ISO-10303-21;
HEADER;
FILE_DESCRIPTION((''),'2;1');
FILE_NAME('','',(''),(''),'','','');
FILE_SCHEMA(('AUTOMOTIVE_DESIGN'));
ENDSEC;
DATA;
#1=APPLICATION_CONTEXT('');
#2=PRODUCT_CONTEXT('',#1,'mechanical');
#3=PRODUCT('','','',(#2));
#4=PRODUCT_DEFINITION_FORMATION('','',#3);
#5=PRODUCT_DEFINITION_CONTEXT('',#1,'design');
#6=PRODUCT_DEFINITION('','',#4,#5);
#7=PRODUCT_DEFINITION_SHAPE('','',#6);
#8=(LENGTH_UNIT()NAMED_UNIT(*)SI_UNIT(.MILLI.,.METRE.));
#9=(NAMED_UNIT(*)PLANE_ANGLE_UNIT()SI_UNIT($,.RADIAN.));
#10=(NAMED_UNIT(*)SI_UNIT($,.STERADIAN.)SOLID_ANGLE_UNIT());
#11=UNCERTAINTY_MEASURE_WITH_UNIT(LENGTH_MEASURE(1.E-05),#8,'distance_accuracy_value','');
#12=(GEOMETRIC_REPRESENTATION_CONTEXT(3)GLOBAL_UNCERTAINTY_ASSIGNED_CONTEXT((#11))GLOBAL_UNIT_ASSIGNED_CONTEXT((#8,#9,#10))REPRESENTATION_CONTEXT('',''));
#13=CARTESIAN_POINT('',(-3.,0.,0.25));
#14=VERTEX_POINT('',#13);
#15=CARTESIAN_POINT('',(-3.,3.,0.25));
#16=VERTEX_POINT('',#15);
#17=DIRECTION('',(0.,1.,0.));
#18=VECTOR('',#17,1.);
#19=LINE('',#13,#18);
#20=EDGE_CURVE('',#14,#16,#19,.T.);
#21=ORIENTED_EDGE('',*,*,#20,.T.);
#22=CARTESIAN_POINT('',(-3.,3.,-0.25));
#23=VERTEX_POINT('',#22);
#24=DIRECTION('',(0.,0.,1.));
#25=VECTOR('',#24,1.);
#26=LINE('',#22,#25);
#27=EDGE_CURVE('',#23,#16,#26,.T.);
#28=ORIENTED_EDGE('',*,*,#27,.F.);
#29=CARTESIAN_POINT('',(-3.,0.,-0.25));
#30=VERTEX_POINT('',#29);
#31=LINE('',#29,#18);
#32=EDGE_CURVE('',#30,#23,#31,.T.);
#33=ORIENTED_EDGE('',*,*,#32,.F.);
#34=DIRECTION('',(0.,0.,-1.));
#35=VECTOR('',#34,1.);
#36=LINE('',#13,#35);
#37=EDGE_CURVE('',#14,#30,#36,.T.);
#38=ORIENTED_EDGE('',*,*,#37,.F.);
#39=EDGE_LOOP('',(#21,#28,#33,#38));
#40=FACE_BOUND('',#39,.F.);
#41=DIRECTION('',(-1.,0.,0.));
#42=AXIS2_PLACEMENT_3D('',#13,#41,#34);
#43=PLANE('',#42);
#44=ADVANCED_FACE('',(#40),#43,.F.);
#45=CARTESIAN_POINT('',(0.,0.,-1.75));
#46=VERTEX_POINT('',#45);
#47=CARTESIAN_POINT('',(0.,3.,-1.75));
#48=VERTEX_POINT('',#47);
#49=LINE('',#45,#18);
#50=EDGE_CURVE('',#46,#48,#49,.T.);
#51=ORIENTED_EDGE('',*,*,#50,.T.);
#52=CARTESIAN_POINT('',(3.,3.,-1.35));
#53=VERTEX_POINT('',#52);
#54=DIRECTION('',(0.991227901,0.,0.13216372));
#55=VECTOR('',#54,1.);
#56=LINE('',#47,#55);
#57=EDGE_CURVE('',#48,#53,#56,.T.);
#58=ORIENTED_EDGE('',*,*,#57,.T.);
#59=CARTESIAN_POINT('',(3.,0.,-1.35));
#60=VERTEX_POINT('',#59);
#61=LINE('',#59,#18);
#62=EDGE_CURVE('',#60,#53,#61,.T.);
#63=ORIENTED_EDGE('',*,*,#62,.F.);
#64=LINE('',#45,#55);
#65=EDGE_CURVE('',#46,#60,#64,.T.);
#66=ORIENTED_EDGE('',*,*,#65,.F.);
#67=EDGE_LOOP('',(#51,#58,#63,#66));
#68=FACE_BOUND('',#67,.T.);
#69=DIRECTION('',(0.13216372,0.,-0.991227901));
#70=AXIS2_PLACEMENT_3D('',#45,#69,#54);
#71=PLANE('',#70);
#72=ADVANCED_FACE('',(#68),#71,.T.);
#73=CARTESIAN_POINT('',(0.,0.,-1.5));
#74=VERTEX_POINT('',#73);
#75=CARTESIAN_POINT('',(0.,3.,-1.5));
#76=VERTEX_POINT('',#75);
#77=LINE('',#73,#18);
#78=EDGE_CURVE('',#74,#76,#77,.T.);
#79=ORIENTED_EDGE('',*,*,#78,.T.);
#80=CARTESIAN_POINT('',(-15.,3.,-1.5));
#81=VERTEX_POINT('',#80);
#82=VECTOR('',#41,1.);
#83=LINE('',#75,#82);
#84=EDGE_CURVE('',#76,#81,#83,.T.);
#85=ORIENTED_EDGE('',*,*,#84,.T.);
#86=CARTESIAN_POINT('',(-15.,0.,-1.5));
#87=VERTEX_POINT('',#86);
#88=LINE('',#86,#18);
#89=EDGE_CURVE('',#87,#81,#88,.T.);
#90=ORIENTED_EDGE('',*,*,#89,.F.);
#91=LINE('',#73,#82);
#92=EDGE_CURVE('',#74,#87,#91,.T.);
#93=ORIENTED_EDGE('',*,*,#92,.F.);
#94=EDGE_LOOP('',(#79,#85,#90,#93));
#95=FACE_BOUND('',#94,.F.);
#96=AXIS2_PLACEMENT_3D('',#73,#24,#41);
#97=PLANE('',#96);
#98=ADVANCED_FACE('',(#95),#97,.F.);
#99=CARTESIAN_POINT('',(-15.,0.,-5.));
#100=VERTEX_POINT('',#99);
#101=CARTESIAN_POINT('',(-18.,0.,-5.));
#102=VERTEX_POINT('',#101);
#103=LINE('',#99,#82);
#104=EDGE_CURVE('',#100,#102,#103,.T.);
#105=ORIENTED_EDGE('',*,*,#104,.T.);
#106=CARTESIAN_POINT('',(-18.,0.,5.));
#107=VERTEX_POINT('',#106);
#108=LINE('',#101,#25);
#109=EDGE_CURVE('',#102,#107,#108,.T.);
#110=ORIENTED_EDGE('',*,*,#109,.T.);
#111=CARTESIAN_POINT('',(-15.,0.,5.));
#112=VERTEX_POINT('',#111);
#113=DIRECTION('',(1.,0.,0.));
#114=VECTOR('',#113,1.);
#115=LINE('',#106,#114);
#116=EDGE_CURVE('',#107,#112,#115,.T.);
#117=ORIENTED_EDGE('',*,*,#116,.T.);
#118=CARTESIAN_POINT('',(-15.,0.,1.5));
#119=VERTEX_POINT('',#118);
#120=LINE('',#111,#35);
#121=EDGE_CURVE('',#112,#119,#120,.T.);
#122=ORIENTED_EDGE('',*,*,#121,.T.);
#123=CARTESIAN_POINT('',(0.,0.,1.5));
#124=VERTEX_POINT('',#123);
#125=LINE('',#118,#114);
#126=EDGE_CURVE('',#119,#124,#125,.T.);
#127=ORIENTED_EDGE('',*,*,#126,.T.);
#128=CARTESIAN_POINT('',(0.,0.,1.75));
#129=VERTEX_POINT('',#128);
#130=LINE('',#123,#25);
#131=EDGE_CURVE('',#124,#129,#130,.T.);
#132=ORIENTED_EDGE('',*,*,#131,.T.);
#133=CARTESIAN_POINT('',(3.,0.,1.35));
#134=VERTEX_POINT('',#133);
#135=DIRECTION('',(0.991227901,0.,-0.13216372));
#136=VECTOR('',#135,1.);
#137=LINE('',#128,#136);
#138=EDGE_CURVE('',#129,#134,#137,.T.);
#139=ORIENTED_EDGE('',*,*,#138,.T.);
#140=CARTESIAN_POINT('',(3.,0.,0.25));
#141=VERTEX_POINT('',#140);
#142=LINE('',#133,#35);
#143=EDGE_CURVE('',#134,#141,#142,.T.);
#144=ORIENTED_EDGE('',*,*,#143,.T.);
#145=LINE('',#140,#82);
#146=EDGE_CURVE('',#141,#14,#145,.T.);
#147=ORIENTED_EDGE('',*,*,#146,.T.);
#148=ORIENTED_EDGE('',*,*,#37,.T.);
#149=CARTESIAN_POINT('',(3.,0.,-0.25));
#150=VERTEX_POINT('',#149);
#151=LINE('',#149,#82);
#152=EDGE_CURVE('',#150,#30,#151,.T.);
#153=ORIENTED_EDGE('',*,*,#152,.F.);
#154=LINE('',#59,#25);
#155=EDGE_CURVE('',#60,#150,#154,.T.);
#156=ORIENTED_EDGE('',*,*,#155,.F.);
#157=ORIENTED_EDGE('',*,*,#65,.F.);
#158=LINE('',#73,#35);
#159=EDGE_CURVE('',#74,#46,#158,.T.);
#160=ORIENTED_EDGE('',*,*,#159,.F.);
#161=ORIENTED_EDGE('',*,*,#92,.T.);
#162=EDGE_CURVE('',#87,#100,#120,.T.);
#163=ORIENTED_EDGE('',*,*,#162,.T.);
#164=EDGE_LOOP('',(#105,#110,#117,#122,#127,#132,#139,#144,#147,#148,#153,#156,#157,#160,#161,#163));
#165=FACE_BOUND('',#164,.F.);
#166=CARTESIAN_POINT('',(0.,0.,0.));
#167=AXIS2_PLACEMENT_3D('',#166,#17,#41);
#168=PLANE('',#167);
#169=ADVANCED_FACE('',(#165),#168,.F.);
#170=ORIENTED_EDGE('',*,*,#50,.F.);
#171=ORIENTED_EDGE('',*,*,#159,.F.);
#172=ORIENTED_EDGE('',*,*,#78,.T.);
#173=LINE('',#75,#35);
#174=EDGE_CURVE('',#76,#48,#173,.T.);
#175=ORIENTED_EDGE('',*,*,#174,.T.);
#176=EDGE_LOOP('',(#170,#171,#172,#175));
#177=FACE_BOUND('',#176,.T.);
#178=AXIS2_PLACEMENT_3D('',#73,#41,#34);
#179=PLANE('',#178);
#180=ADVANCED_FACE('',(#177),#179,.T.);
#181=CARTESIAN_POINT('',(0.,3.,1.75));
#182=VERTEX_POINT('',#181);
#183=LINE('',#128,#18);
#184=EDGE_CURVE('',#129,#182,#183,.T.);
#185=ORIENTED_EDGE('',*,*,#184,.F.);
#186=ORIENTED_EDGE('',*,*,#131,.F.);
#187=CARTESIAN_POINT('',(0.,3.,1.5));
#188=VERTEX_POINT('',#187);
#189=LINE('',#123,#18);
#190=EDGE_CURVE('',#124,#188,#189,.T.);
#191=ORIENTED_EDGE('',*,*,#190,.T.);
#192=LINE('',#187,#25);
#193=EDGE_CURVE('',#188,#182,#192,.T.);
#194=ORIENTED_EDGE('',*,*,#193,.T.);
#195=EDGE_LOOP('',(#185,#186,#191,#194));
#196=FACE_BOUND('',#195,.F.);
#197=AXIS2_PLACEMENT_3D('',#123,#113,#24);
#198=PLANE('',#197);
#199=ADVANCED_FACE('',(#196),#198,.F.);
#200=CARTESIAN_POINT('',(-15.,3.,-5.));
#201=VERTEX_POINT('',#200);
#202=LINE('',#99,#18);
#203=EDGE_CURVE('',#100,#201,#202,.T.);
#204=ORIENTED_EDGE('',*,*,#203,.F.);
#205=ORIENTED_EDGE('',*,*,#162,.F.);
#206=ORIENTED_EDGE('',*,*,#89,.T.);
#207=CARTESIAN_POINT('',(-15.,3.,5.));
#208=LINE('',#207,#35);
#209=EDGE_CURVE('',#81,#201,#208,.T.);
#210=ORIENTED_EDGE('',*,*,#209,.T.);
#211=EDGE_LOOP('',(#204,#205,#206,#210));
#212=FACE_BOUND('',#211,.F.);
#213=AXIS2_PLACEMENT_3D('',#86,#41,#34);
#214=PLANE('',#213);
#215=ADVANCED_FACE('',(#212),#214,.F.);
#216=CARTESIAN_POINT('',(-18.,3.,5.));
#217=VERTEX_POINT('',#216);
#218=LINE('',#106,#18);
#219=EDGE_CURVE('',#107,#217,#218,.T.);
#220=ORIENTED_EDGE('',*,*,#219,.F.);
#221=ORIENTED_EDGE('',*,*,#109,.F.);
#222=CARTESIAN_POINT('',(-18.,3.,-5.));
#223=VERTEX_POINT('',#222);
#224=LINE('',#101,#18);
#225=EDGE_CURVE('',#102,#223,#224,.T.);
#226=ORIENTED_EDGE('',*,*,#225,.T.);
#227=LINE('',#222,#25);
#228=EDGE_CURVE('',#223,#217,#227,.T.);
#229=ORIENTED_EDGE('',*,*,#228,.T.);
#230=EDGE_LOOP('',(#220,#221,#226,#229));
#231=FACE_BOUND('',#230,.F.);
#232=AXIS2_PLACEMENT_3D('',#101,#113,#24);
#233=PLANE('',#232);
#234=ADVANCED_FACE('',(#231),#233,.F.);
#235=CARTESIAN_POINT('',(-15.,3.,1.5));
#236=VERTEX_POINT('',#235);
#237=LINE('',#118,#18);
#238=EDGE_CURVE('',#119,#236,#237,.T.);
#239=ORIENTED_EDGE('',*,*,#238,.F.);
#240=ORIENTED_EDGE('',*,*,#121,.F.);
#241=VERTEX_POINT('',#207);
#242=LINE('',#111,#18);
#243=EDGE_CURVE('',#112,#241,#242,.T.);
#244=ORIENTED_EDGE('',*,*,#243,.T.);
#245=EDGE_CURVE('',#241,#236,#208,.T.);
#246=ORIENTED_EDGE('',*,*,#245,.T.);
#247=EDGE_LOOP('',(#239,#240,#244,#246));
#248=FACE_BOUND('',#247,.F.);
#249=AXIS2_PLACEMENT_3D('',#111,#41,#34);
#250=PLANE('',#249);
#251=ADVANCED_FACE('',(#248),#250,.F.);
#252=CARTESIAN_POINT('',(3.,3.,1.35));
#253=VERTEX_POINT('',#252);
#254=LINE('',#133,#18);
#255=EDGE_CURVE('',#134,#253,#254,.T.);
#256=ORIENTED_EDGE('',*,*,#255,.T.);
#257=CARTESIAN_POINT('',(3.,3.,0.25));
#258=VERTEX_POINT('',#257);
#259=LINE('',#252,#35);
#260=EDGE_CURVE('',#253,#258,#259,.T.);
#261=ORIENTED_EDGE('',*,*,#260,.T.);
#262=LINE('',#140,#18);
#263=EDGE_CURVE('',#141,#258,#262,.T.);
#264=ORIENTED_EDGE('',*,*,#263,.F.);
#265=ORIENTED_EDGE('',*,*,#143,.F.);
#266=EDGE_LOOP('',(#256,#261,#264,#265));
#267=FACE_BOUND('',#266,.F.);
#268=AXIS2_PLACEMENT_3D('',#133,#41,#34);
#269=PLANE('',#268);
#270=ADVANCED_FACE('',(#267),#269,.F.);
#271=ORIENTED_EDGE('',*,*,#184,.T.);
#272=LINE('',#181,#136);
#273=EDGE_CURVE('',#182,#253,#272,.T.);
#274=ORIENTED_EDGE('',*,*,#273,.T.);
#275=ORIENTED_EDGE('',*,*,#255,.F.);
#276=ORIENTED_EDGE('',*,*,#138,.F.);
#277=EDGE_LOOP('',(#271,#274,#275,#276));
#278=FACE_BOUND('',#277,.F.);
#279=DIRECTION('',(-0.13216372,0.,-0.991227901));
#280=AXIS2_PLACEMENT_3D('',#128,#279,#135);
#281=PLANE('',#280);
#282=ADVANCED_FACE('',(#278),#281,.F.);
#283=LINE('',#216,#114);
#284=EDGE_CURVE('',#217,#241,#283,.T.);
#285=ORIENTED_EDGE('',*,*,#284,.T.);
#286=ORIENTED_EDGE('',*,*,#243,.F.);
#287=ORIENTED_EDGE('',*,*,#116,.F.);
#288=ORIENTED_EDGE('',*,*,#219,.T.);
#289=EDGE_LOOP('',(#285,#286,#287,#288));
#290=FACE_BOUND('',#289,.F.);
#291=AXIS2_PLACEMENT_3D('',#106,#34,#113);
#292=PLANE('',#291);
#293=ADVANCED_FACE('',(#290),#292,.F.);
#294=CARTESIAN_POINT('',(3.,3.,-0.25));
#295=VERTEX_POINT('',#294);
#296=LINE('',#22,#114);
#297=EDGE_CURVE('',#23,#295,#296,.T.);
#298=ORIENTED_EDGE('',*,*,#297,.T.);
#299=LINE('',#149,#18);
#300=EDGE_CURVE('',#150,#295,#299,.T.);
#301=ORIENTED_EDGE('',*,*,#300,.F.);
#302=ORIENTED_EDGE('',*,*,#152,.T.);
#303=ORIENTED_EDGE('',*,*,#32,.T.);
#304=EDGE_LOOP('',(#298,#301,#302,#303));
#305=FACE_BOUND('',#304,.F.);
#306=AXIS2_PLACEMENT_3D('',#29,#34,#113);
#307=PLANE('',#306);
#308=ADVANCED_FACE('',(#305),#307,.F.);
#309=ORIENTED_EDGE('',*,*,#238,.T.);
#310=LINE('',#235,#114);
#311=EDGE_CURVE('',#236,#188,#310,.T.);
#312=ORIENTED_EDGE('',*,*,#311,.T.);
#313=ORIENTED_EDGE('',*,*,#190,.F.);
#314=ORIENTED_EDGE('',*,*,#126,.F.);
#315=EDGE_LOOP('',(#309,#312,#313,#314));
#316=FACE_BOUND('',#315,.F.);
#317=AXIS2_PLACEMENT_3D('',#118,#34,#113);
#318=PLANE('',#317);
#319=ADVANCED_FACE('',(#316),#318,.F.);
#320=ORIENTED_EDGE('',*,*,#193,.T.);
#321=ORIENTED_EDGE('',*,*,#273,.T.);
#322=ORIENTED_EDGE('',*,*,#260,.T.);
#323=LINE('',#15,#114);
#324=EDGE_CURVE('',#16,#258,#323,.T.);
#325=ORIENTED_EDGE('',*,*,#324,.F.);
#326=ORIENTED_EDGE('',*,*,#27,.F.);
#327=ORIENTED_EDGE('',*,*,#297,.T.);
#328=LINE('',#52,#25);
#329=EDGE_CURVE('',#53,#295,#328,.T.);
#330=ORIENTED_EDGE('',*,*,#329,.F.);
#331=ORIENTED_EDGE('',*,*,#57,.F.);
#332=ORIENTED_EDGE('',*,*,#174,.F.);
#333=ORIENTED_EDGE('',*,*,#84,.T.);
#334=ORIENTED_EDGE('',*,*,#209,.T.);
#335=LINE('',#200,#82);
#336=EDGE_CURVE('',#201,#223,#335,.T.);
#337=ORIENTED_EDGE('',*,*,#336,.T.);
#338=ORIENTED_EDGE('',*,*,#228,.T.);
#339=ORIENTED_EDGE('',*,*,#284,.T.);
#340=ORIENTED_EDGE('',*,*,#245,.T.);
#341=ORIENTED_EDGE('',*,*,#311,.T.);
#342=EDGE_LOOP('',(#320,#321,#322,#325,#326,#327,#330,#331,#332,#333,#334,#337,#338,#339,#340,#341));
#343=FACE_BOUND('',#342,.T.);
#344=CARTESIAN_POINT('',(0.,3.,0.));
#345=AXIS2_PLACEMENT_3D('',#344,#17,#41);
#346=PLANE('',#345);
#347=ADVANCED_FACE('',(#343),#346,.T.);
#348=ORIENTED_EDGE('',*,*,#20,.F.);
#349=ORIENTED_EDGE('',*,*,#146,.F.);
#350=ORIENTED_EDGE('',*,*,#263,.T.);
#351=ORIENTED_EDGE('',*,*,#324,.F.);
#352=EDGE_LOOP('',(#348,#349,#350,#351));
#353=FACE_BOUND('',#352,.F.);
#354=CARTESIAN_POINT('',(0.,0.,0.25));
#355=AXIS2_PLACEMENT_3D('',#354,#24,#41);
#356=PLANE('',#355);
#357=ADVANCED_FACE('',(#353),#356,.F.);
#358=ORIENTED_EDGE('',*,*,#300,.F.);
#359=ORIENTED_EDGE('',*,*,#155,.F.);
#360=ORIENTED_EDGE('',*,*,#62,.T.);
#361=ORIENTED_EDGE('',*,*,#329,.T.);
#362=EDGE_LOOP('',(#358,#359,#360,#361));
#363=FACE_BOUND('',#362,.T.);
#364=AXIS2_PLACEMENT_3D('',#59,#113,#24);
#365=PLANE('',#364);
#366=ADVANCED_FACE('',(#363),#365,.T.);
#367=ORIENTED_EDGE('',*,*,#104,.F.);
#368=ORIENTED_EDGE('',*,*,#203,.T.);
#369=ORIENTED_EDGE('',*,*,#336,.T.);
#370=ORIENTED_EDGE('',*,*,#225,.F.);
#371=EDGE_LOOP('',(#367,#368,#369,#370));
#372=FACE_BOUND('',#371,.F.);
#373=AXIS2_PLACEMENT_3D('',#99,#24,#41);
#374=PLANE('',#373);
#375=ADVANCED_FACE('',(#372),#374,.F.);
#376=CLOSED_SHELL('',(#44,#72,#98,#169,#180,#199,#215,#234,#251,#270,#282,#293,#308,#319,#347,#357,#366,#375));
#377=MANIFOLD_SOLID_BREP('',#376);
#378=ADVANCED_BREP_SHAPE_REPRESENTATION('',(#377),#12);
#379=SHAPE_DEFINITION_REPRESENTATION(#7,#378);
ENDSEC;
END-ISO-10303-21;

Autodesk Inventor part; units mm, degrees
ref_plane "YZ Plane" through (0, 0, 0) normal (1, 0, 0) x (0, 1, 0)
ref_plane "XZ Plane" through (0, 0, 0) normal (0, 1, 0) x (-1, 0, 0)
ref_plane "XY Plane" through (0, 0, 0) normal (0, 0, 1) x (1, 0, 0)
sketch "草圖1" plane through (0, 0, 0) normal (0, 1, 0) x (-1, 0, 0)
  line L0 (15, 1.5) -> (0, 1.5)
  line L1 (0, 1.5) -> (0, -1.5)
  line L2 (0, -1.5) -> (15, -1.5)
  line L3 (15, -1.5) -> (15, 1.5)
  line L4 (18, 5) -> (15, 5)
  line L5 (15, 5) -> (15, -5)
  line L6 (15, -5) -> (18, -5)
  line L7 (18, -5) -> (18, 5)
  line L8 (0, 0) -> (15, 0)
  line L9 (0, 1.5) -> (0, 1.75)
  line L10 (0, 1.35) -> (-3, 1.35)
  line L11 (0, 1.75) -> (-3, 1.35)
  line L12 (-3, 1.35) -> (-3, 0.25)
  line L13 (-3, 0.25) -> (0, 0.25)
  line L14 (0, -1.5) -> (0, -1.75)
  line L15 (0, -1.35) -> (-3, -1.35)
  line L16 (0, -1.75) -> (-3, -1.35)
  line L17 (-3, -1.35) -> (-3, -0.25)
  line L18 (-3, -0.25) -> (0, -0.25)
  line L19 (0, 0.25) -> (3, 0.25)
  line L20 (3, 0.25) -> (3, -0.25)
  line L21 (3, -0.25) -> (0, -0.25)
  point P0 (0, -0.25)
  dimension "d0" = 3
  dimension "d1" = 15
  dimension "d2" = 10
  dimension "d3" = 3
  dimension "d4" = 0.25
  dimension "d5" = 3
  dimension "d6" = 0.15
  dimension "d7" = 1.1
  dimension "d10" = 3
extrude "擠出1" add sketch "草圖1" along normal blind 3 contours L3 L8 L20 L19 L1 L0 | L5 L4 L7 L6 L3 | L1 L10 L11 L9 | L3 L2 L1 L21 L20 L8 | L1 L13 L12 L10 | L14 L16 L15 L1 | L15 L17 L18 L1
properties part number "插銷A"
